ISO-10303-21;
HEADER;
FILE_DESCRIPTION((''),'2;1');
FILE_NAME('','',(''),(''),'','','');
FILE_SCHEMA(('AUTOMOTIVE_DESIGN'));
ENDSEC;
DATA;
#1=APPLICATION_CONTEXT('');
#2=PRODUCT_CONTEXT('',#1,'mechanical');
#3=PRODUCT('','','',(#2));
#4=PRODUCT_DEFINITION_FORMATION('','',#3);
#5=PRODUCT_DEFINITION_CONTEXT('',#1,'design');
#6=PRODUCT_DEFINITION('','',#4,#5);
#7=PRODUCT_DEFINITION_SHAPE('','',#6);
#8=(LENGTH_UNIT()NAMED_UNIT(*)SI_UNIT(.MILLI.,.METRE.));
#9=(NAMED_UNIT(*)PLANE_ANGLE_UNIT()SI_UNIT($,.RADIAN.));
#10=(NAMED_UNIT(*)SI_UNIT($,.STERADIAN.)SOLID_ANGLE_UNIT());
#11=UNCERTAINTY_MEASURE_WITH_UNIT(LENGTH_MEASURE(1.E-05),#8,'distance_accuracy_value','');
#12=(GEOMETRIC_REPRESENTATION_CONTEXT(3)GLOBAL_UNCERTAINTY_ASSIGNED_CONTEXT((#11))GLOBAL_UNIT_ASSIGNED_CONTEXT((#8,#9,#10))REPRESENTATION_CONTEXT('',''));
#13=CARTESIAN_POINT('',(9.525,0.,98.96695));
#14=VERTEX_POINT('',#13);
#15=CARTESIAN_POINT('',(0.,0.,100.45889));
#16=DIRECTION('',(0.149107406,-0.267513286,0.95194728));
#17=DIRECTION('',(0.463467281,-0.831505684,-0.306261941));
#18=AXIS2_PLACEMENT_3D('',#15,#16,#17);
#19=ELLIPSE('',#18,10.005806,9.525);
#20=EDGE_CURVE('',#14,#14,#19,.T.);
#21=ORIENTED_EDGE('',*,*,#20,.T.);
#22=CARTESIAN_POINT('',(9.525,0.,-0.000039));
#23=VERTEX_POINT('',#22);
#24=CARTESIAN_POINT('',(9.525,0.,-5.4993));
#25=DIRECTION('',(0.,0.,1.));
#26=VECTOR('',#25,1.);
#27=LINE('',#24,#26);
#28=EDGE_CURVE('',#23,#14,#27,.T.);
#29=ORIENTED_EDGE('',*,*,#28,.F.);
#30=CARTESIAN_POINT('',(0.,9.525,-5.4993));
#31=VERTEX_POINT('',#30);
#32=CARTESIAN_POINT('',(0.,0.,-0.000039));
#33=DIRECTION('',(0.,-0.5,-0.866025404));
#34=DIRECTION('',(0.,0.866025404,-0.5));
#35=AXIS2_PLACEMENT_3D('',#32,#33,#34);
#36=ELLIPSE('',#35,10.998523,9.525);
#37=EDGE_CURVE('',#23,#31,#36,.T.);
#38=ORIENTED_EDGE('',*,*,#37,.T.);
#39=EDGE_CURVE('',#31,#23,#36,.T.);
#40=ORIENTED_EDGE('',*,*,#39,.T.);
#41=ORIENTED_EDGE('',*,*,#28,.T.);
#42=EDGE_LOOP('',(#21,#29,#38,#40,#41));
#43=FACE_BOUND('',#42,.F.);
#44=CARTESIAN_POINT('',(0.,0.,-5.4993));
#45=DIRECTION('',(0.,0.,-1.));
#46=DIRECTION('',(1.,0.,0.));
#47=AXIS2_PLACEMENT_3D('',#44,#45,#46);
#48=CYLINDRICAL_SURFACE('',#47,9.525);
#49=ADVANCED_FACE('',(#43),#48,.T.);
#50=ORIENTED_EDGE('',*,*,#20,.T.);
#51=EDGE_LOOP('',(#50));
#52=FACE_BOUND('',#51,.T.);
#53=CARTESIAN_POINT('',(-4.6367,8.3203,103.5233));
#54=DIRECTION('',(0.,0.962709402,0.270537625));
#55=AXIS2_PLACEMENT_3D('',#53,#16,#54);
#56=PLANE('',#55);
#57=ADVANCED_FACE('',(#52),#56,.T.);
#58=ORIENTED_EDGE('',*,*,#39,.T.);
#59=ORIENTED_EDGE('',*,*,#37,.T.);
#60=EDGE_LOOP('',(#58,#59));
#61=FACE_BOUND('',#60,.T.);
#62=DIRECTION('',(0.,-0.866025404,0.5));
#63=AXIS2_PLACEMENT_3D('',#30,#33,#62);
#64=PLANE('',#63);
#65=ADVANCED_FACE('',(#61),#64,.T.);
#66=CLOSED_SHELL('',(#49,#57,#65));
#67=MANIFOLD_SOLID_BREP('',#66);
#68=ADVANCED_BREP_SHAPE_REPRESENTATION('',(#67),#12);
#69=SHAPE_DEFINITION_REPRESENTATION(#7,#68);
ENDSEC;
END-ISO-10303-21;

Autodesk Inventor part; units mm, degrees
ref_plane "Start Plane" through (0, 0, -5.4993) normal (0, 0, 1) x (1, 0, 0)
ref_plane "End Plane" through (0, 0, 104.6275) normal (0, 0, 1) x (1, 0, 0)
sketch "Sketch" plane through (0, 0, 0) normal (0, 0, 1) x (1, 0, 0)
  circle A0 centre (0, 0) radius 9.525
  dimension "d0" = 19.05
extrude "Body" add sketch "Sketch" along normal up to surface (110.1267 mm away) from surface at -5.4993
sketch "Sketch2" plane through (0, 0, 0) normal (0, 0, 1) x (1, 0, 0)
  line L0 (0, 0) -> (10, 0)
ref_plane "Work Plane3" through (0, 0, 0) normal (0, -1, 0) x (1, 0, 0)
ref_plane "Work Plane4" through (0, 9.525, -5.4993) normal (0, -0.5, -0.866) x (1, 0, 0)
split "Split1" plane through (0, 9.525, -5.4993) removes the side toward (0, -0.5, -0.866)
ref_plane "Work Plane5" through (-4.6367, 8.3203, 103.5233) normal (0.1491, -0.2675, 0.9519) x (0.9886, 0.0204, -0.1491)
split "Split2" plane through (-4.6367, 8.3203, 103.5233) removes the side toward (0.1491, -0.2675, 0.9519)
sketch "Sketch3" plane through (0, 0, 0) normal (0, -1, 0) x (1, 0, 0)
  line L0 (-2, -5.4993) -> (12, -5.4993) projected
  line L1 (-2, 104.6275) -> (12, 104.6275) projected
  dimension "d7" = 110.1267
equation "\"d0\" = Diam"
equation "\"d1\" = G_L"
equation "\"Diam\" = 19.05"
equation "\"G_L\" = 109.02261"
equation "\"G_OFFSET_START\" = 5.49926"
equation "\"G_OFFSET_END\" = 4.16853"
equation "\"d4\" = -G_OFFSET_START"
equation "\"d5\" = G_OFFSET_END + B_L"
equation "\"B_L\" = 100.45895"
properties part number "ANSI/AISC Rolled Steel - 3/4-4.292, RB" material "Steel, Mild"
